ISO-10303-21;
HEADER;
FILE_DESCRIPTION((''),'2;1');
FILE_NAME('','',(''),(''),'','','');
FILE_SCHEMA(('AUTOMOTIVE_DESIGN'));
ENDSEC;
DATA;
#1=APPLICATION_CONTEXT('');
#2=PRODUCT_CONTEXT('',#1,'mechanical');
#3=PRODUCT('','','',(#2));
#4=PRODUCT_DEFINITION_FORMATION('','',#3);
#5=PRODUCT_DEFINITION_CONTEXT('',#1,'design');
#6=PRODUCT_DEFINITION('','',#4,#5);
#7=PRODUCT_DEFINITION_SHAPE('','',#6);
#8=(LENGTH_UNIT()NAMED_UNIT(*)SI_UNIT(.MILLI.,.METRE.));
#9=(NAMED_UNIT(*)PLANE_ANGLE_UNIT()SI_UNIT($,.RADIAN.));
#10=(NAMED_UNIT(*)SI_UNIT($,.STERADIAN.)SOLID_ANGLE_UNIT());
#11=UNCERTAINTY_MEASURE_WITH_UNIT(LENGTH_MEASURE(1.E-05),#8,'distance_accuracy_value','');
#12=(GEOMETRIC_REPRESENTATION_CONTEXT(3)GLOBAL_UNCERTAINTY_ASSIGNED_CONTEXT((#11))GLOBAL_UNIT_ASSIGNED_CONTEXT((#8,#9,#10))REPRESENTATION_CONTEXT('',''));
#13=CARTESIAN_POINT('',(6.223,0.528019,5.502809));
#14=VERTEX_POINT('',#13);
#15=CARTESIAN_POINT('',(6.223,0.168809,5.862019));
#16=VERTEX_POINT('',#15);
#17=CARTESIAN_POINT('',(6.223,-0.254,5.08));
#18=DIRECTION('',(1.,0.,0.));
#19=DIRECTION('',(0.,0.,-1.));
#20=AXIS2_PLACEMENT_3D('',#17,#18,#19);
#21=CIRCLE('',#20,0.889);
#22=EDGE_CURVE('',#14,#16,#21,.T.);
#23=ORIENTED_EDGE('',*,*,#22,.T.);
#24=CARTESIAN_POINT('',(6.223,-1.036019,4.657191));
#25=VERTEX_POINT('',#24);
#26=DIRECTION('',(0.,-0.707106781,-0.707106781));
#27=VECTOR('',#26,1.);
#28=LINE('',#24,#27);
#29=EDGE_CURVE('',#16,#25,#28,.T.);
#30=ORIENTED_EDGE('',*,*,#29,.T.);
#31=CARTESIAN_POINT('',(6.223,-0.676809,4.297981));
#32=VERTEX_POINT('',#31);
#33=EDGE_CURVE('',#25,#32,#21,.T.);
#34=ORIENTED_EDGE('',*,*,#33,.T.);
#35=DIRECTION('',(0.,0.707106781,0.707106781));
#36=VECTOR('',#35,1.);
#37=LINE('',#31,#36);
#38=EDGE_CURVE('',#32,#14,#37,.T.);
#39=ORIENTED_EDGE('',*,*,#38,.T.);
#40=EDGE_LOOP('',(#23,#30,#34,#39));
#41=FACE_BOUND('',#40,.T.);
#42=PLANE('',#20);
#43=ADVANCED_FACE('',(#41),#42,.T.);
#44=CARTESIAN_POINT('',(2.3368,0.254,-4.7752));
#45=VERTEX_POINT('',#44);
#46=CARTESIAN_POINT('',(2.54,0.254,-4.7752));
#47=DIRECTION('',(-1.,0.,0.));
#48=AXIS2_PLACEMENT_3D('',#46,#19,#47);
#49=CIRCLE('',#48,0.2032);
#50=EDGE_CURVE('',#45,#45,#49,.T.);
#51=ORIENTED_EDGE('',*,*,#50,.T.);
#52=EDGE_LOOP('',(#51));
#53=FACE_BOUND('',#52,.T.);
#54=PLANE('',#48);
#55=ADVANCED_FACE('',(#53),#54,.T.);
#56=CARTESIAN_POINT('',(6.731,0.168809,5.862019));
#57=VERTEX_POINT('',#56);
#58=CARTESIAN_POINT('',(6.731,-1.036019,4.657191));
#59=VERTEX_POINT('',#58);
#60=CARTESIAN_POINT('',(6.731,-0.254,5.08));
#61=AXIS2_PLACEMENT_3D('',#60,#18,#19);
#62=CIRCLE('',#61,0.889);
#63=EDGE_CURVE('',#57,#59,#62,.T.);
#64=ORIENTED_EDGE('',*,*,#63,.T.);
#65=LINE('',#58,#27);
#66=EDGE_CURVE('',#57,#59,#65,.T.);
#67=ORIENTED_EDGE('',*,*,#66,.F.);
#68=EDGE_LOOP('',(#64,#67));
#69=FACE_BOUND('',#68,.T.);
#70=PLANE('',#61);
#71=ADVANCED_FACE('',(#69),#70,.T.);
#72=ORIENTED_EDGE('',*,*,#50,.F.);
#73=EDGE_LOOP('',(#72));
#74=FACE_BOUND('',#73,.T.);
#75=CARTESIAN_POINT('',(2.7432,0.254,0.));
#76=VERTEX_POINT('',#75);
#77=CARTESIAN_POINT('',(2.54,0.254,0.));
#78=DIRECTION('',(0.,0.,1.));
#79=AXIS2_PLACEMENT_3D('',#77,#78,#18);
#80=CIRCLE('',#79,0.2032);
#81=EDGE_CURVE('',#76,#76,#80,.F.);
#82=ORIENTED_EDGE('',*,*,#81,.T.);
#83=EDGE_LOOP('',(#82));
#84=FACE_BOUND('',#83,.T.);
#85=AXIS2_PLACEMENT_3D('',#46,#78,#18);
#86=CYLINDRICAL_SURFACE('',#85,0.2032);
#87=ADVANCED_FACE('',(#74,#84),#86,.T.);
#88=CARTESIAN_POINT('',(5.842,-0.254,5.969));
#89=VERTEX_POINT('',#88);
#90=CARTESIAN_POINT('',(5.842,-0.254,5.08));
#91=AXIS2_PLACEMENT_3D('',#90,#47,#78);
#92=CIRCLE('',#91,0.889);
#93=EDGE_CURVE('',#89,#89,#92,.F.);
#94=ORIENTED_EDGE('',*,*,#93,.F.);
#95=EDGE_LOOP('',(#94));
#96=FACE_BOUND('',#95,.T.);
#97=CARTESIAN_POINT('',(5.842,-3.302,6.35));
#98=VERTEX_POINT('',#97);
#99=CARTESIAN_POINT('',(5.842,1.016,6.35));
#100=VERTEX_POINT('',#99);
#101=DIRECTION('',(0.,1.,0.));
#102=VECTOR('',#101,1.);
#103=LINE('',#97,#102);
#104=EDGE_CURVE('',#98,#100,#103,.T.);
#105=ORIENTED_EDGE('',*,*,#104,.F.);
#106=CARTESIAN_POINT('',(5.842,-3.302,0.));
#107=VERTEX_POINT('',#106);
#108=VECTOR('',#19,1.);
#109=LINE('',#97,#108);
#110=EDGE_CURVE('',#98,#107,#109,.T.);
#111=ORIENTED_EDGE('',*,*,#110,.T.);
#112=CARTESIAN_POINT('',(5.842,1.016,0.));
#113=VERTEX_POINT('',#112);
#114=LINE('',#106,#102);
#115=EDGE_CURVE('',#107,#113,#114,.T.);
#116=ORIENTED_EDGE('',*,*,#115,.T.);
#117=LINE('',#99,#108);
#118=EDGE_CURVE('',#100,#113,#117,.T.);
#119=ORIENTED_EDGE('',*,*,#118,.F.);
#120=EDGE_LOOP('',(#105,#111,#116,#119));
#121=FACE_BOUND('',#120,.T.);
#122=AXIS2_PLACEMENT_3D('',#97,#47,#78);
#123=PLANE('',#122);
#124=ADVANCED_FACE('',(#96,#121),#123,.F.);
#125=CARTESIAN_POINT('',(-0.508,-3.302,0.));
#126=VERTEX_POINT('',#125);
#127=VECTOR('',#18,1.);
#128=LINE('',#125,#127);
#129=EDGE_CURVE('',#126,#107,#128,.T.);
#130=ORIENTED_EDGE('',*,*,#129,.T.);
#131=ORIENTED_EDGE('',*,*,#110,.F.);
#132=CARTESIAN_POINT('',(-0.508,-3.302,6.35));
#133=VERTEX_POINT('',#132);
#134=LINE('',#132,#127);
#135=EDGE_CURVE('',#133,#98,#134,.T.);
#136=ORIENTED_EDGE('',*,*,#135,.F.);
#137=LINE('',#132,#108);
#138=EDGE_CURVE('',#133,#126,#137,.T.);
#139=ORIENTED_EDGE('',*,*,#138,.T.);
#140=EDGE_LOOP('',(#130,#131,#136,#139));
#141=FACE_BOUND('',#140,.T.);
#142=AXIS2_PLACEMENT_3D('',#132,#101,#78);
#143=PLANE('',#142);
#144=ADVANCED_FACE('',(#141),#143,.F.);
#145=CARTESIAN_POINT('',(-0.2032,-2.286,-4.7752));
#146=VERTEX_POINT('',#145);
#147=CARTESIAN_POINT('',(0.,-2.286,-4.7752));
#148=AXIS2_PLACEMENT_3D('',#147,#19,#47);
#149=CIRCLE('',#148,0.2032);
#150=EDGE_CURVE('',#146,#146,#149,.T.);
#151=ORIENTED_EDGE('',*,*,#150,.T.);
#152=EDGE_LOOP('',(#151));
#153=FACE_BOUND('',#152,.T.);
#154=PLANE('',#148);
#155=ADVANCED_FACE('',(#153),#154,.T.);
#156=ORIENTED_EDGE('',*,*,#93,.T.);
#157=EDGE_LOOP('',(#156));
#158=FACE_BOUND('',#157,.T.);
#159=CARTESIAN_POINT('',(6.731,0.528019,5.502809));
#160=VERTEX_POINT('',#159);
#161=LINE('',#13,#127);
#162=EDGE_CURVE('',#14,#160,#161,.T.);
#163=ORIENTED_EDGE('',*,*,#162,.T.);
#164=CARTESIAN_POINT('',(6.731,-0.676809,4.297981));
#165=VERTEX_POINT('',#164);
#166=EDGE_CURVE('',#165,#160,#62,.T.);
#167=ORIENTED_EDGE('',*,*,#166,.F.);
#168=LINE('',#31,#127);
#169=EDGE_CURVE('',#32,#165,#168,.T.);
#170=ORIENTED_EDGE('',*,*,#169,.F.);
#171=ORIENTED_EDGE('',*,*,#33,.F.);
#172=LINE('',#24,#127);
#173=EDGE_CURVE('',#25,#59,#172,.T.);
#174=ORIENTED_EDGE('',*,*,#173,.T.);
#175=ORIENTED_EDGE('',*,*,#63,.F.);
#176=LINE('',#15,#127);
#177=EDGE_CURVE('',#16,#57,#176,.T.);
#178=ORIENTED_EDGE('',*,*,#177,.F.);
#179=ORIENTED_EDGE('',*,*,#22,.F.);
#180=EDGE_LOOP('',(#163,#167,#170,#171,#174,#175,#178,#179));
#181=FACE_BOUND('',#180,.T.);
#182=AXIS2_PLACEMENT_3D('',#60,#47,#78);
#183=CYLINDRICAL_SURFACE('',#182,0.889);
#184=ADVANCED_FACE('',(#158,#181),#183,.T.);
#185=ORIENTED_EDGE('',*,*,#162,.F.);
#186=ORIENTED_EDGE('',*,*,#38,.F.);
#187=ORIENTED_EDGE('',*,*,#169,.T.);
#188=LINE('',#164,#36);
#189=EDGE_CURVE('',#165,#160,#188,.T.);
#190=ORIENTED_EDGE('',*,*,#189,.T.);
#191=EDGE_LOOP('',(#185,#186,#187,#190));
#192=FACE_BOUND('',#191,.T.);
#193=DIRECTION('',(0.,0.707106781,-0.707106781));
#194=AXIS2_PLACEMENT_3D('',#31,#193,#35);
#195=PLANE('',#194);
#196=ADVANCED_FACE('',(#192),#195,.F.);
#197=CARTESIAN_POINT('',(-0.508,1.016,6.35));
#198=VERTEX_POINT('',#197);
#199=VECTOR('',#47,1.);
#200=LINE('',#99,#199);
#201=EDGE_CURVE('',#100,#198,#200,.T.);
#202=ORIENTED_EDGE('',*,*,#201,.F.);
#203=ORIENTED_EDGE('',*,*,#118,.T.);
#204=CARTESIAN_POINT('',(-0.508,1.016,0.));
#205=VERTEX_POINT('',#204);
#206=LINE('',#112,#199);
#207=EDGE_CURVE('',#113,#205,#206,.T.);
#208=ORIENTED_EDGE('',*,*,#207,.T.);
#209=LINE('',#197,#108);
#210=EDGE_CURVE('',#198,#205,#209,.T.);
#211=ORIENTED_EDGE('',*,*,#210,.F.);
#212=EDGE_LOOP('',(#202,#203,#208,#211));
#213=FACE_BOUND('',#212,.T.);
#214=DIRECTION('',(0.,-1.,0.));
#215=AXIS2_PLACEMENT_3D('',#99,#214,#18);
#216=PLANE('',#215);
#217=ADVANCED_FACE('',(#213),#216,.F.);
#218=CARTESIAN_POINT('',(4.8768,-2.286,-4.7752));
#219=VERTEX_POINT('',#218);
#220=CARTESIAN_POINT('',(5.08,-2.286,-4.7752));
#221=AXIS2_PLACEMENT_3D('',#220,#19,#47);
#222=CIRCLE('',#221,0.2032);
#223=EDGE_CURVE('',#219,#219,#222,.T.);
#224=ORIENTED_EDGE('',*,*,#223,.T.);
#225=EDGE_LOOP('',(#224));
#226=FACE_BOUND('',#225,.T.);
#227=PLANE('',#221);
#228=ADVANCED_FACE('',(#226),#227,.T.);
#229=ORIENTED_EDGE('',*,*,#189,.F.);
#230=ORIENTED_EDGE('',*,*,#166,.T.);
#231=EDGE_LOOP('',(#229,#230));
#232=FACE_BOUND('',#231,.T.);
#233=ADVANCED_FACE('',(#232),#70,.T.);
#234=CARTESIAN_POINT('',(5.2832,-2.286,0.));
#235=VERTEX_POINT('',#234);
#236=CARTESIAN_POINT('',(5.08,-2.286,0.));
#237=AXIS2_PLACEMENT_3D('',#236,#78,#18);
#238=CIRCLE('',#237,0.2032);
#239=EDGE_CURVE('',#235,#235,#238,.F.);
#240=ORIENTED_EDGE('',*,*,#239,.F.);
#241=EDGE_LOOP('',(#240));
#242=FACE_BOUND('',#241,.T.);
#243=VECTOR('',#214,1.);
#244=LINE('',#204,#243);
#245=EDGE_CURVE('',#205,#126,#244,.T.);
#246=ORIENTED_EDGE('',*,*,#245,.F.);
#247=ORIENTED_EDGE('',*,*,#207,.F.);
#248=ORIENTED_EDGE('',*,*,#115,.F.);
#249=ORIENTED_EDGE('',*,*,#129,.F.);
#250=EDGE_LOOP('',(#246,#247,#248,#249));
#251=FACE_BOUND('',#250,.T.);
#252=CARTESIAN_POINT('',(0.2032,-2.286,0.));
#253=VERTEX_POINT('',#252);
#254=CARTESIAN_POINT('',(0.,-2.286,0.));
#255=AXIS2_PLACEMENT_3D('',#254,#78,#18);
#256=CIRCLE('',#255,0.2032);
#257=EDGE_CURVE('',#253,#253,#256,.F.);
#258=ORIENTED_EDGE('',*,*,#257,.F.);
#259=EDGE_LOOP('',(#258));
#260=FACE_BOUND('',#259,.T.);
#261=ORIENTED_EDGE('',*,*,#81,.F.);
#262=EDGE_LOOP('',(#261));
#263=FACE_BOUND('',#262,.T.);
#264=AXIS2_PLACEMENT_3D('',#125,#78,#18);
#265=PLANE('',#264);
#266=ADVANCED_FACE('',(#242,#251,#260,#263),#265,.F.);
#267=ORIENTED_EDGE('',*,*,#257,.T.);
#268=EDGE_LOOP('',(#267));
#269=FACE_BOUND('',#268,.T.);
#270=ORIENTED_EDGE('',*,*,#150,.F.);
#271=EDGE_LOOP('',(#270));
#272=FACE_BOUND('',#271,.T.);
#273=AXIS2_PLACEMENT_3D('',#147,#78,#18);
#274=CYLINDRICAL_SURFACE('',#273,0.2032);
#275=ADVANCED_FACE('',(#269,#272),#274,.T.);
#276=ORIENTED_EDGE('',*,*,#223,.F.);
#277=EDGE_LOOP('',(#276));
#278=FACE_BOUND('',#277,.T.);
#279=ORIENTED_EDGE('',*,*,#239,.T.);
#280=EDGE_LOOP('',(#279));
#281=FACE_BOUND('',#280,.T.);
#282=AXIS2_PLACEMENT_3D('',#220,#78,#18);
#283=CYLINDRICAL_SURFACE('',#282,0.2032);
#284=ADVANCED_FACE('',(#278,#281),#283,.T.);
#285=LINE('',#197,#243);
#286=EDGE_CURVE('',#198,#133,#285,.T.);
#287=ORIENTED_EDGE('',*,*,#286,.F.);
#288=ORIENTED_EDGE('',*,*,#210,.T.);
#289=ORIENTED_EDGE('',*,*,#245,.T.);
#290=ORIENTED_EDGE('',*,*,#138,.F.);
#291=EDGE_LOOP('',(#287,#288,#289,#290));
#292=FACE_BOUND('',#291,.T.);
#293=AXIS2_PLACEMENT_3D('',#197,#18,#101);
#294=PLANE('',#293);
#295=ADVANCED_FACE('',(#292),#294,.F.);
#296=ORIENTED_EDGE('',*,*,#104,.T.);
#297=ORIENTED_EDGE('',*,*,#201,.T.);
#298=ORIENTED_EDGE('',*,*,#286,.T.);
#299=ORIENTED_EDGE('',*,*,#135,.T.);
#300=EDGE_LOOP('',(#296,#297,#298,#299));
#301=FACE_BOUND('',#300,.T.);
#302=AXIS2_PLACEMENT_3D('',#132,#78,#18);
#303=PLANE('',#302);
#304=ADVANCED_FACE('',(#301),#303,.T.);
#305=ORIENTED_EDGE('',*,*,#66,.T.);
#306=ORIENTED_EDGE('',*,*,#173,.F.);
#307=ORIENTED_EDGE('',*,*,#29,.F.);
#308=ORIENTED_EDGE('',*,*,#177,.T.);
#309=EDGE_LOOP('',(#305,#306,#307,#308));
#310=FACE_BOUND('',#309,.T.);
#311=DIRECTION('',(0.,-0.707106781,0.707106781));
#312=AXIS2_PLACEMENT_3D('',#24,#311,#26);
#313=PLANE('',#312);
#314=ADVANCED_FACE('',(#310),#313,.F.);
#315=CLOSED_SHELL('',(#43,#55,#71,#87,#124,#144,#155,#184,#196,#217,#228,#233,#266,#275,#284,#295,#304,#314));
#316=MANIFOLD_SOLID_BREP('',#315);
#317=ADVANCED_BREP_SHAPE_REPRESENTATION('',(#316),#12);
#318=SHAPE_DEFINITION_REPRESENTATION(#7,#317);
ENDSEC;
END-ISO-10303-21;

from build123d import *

# Parameters (mm, degrees)
SKETCH2_W           = 6.35
SKETCH2_H           = 4.318
BOSS_EXTRUDE1_DEPTH = 6.35
SKETCH3_R           = 0.889
BOSS_EXTRUDE2_DEPTH = 0.889
CUT_EXTRUDE1_START  = -0.508
CUT_EXTRUDE1_DEPTH  = 0.508
SKETCH8_R           = 0.2032
BOSS_EXTRUDE3_DEPTH = 4.7752


with BuildPart() as part:
    # Sketch2 → Boss-Extrude1 (new body)
    with BuildSketch(Plane.XY):
        with Locations((2.667, -1.143)):
            Rectangle(SKETCH2_W, SKETCH2_H)
    extrude(amount=BOSS_EXTRUDE1_DEPTH)

    # Sketch3 → Boss-Extrude2 (add)
    with BuildSketch(Plane(origin=(5.842, 0, 0), x_dir=(0, 0, -1), z_dir=(1, 0, 0))):
        with Locations(Location((-5.08, -0.254, 0), (0, 0, 180))):
            Circle(SKETCH3_R)
    extrude(amount=BOSS_EXTRUDE2_DEPTH)

    # Sketch4 → Cut-Extrude1 (cut)
    with BuildSketch(Plane(origin=(6.731, 0, 0), x_dir=(0, 0, -1), z_dir=(1, 0, 0)).offset(CUT_EXTRUDE1_START)):
        with BuildLine():
            Line((-4.297980983, -0.676808772), (-5.502808772, 0.528019017))
            ThreePointArc((-5.502808772, 0.528019017), (-5.708617928, 0.374617928), (-5.862019017, 0.168808772))
            Line((-5.862019017, 0.168808772), (-4.657191228, -1.036019017))
            ThreePointArc((-4.657191228, -1.036019017), (-4.451382072, -0.882617928), (-4.297980983, -0.676808772))
        make_face()
    extrude(amount=CUT_EXTRUDE1_DEPTH, mode=Mode.SUBTRACT)

    # Sketch8 → Boss-Extrude3 (add)
    with BuildSketch(Plane(origin=(0, 0, 0), x_dir=(-1, 0, 0), z_dir=(0, 0, -1))):
        with Locations(Location((0, -2.286, 0), (0, 0, 180))):
            Circle(SKETCH8_R)
        with Locations(Location((-5.08, -2.286, 0), (0, 0, 180))):
            Circle(SKETCH8_R)
        with Locations(Location((-2.54, 0.254, 0), (0, 0, 180))):
            Circle(SKETCH8_R)
    extrude(amount=BOSS_EXTRUDE3_DEPTH)


solid = part.part
